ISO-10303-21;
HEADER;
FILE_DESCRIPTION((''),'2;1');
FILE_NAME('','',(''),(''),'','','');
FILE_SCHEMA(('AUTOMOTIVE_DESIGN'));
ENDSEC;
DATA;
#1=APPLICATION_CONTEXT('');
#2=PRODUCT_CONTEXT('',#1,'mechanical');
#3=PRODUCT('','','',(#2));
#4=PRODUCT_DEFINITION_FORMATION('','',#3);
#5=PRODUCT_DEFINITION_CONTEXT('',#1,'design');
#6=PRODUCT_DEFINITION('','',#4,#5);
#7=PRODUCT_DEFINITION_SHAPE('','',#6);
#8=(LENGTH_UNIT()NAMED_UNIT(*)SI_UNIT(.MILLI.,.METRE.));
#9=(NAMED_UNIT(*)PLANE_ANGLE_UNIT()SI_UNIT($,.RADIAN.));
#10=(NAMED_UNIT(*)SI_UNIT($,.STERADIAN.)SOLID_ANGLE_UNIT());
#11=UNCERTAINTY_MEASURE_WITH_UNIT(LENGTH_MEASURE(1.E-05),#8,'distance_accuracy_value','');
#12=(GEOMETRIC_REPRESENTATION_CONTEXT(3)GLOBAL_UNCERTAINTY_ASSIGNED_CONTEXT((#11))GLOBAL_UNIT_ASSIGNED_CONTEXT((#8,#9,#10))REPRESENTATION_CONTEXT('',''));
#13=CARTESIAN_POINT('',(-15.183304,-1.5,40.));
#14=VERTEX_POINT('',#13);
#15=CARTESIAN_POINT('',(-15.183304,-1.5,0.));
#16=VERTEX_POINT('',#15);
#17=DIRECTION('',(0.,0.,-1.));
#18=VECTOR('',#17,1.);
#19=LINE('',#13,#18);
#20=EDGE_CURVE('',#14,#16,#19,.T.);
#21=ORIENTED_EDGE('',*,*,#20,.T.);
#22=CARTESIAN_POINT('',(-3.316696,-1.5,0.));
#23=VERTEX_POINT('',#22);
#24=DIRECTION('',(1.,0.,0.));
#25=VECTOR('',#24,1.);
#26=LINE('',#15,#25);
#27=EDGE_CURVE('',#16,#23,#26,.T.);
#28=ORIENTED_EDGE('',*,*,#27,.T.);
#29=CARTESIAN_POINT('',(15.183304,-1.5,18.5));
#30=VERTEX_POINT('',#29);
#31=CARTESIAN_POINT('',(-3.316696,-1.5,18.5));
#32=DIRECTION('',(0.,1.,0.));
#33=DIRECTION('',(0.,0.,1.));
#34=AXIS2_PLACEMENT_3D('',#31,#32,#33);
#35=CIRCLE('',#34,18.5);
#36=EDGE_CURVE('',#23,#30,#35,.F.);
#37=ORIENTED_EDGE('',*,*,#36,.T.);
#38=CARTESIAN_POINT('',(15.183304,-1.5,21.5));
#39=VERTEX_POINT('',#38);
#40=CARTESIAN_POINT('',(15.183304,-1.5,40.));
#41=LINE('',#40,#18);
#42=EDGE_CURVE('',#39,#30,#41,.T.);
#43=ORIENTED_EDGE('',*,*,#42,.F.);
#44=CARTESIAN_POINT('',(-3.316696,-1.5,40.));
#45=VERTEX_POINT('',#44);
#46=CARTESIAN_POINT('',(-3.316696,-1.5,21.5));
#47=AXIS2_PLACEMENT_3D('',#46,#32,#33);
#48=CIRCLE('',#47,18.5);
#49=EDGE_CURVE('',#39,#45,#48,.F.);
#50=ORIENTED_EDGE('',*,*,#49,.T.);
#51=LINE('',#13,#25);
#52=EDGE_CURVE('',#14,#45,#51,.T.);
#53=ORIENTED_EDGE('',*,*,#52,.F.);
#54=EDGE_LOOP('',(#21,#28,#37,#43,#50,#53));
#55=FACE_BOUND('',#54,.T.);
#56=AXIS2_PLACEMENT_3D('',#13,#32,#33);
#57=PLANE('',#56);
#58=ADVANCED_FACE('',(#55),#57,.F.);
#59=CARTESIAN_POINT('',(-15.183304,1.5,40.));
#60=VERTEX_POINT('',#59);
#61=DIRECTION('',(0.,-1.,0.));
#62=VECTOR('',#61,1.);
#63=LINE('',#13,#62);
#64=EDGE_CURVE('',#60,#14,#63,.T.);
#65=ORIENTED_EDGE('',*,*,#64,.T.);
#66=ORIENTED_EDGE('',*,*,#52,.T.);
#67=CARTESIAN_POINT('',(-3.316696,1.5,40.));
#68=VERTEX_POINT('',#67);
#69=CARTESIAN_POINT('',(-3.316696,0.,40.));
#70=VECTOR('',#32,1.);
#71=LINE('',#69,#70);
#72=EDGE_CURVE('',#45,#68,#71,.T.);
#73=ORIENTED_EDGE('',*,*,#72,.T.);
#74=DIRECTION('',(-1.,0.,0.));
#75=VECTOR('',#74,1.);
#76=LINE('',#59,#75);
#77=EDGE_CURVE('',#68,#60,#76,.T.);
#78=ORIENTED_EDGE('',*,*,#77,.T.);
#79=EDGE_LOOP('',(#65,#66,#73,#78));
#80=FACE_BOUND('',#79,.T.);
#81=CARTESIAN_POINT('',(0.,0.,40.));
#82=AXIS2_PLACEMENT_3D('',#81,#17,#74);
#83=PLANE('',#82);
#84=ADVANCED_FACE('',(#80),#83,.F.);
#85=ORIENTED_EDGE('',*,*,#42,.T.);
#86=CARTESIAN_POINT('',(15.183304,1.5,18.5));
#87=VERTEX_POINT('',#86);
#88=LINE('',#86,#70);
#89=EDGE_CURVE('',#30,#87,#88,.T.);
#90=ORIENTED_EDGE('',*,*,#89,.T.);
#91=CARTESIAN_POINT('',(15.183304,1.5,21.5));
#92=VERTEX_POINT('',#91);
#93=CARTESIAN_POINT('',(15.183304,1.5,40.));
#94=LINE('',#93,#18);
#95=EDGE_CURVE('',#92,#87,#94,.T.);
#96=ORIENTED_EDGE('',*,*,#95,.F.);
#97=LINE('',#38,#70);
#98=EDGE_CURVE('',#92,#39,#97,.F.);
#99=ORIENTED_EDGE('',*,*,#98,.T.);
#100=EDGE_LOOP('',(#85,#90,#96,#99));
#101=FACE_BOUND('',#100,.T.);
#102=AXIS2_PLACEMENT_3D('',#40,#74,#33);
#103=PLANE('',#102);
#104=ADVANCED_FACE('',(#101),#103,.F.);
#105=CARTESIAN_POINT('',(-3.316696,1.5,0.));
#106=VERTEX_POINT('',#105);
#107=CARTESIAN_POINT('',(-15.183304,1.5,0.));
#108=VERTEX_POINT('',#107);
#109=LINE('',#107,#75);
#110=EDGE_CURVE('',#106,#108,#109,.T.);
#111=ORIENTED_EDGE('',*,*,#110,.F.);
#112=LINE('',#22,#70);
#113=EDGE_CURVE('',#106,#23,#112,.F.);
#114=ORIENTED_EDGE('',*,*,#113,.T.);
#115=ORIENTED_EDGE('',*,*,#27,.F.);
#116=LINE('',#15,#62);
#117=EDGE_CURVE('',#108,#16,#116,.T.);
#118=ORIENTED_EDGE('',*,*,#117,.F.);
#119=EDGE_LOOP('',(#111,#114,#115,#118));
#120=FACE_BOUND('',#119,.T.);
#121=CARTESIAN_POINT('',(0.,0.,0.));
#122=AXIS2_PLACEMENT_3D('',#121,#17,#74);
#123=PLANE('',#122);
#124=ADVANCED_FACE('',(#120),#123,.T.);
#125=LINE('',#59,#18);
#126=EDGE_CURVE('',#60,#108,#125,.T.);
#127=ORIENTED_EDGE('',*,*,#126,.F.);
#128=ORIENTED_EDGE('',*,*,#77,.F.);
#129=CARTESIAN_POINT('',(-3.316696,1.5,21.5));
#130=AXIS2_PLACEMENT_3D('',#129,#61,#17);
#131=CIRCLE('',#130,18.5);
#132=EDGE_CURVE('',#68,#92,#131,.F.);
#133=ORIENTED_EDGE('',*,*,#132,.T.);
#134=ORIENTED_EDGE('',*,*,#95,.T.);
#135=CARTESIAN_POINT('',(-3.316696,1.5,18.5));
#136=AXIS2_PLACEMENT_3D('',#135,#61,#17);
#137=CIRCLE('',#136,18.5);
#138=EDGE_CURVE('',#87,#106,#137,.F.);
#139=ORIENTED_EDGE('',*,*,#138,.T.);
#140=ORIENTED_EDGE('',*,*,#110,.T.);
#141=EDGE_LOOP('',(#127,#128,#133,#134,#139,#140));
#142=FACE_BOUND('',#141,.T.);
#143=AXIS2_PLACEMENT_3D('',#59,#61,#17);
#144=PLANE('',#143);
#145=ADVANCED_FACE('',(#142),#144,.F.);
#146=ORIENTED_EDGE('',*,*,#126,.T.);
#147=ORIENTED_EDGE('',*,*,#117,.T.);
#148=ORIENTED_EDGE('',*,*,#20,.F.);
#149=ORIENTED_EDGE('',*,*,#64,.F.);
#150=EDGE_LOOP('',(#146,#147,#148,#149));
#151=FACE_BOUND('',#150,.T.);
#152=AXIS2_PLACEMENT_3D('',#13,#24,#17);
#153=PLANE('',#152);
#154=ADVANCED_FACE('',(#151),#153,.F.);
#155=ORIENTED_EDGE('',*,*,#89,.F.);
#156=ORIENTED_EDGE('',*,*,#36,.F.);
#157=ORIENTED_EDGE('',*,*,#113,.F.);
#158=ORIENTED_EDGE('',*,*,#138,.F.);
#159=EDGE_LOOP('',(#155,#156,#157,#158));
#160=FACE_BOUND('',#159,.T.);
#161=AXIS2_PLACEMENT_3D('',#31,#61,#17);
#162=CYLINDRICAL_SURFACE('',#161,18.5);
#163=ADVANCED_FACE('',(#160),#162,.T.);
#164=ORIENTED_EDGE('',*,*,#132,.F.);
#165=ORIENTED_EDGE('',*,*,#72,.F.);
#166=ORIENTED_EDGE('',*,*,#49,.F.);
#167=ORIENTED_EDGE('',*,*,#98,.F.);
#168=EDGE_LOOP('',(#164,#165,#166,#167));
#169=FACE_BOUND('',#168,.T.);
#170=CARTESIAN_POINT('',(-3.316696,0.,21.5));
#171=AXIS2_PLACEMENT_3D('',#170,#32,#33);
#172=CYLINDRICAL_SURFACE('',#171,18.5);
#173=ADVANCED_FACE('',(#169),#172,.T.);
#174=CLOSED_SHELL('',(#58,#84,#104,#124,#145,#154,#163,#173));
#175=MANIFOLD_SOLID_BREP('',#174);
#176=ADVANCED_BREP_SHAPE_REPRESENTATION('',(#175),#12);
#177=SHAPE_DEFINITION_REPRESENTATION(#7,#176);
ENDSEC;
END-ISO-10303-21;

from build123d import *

# Parameters (mm, degrees)
SKETCH1_W           = 30.366608602
SKETCH1_H           = 3
BOSS_EXTRUDE1_DEPTH = 40
FILLET1_R           = 18.5


with BuildPart() as part:
    # Sketch1 → Boss-Extrude1 (new body)
    with BuildSketch(Plane.XY):
        Rectangle(SKETCH1_W, SKETCH1_H)
    extrude(amount=BOSS_EXTRUDE1_DEPTH)

    # Fillet1
    fillet1_edges = [part.edges().sort_by_distance(p)[0] for p in [
        (15.183304301, 0, 40),
        (15.183304301, 0, 0),
    ]]
    fillet(fillet1_edges, radius=FILLET1_R)


solid = part.part
